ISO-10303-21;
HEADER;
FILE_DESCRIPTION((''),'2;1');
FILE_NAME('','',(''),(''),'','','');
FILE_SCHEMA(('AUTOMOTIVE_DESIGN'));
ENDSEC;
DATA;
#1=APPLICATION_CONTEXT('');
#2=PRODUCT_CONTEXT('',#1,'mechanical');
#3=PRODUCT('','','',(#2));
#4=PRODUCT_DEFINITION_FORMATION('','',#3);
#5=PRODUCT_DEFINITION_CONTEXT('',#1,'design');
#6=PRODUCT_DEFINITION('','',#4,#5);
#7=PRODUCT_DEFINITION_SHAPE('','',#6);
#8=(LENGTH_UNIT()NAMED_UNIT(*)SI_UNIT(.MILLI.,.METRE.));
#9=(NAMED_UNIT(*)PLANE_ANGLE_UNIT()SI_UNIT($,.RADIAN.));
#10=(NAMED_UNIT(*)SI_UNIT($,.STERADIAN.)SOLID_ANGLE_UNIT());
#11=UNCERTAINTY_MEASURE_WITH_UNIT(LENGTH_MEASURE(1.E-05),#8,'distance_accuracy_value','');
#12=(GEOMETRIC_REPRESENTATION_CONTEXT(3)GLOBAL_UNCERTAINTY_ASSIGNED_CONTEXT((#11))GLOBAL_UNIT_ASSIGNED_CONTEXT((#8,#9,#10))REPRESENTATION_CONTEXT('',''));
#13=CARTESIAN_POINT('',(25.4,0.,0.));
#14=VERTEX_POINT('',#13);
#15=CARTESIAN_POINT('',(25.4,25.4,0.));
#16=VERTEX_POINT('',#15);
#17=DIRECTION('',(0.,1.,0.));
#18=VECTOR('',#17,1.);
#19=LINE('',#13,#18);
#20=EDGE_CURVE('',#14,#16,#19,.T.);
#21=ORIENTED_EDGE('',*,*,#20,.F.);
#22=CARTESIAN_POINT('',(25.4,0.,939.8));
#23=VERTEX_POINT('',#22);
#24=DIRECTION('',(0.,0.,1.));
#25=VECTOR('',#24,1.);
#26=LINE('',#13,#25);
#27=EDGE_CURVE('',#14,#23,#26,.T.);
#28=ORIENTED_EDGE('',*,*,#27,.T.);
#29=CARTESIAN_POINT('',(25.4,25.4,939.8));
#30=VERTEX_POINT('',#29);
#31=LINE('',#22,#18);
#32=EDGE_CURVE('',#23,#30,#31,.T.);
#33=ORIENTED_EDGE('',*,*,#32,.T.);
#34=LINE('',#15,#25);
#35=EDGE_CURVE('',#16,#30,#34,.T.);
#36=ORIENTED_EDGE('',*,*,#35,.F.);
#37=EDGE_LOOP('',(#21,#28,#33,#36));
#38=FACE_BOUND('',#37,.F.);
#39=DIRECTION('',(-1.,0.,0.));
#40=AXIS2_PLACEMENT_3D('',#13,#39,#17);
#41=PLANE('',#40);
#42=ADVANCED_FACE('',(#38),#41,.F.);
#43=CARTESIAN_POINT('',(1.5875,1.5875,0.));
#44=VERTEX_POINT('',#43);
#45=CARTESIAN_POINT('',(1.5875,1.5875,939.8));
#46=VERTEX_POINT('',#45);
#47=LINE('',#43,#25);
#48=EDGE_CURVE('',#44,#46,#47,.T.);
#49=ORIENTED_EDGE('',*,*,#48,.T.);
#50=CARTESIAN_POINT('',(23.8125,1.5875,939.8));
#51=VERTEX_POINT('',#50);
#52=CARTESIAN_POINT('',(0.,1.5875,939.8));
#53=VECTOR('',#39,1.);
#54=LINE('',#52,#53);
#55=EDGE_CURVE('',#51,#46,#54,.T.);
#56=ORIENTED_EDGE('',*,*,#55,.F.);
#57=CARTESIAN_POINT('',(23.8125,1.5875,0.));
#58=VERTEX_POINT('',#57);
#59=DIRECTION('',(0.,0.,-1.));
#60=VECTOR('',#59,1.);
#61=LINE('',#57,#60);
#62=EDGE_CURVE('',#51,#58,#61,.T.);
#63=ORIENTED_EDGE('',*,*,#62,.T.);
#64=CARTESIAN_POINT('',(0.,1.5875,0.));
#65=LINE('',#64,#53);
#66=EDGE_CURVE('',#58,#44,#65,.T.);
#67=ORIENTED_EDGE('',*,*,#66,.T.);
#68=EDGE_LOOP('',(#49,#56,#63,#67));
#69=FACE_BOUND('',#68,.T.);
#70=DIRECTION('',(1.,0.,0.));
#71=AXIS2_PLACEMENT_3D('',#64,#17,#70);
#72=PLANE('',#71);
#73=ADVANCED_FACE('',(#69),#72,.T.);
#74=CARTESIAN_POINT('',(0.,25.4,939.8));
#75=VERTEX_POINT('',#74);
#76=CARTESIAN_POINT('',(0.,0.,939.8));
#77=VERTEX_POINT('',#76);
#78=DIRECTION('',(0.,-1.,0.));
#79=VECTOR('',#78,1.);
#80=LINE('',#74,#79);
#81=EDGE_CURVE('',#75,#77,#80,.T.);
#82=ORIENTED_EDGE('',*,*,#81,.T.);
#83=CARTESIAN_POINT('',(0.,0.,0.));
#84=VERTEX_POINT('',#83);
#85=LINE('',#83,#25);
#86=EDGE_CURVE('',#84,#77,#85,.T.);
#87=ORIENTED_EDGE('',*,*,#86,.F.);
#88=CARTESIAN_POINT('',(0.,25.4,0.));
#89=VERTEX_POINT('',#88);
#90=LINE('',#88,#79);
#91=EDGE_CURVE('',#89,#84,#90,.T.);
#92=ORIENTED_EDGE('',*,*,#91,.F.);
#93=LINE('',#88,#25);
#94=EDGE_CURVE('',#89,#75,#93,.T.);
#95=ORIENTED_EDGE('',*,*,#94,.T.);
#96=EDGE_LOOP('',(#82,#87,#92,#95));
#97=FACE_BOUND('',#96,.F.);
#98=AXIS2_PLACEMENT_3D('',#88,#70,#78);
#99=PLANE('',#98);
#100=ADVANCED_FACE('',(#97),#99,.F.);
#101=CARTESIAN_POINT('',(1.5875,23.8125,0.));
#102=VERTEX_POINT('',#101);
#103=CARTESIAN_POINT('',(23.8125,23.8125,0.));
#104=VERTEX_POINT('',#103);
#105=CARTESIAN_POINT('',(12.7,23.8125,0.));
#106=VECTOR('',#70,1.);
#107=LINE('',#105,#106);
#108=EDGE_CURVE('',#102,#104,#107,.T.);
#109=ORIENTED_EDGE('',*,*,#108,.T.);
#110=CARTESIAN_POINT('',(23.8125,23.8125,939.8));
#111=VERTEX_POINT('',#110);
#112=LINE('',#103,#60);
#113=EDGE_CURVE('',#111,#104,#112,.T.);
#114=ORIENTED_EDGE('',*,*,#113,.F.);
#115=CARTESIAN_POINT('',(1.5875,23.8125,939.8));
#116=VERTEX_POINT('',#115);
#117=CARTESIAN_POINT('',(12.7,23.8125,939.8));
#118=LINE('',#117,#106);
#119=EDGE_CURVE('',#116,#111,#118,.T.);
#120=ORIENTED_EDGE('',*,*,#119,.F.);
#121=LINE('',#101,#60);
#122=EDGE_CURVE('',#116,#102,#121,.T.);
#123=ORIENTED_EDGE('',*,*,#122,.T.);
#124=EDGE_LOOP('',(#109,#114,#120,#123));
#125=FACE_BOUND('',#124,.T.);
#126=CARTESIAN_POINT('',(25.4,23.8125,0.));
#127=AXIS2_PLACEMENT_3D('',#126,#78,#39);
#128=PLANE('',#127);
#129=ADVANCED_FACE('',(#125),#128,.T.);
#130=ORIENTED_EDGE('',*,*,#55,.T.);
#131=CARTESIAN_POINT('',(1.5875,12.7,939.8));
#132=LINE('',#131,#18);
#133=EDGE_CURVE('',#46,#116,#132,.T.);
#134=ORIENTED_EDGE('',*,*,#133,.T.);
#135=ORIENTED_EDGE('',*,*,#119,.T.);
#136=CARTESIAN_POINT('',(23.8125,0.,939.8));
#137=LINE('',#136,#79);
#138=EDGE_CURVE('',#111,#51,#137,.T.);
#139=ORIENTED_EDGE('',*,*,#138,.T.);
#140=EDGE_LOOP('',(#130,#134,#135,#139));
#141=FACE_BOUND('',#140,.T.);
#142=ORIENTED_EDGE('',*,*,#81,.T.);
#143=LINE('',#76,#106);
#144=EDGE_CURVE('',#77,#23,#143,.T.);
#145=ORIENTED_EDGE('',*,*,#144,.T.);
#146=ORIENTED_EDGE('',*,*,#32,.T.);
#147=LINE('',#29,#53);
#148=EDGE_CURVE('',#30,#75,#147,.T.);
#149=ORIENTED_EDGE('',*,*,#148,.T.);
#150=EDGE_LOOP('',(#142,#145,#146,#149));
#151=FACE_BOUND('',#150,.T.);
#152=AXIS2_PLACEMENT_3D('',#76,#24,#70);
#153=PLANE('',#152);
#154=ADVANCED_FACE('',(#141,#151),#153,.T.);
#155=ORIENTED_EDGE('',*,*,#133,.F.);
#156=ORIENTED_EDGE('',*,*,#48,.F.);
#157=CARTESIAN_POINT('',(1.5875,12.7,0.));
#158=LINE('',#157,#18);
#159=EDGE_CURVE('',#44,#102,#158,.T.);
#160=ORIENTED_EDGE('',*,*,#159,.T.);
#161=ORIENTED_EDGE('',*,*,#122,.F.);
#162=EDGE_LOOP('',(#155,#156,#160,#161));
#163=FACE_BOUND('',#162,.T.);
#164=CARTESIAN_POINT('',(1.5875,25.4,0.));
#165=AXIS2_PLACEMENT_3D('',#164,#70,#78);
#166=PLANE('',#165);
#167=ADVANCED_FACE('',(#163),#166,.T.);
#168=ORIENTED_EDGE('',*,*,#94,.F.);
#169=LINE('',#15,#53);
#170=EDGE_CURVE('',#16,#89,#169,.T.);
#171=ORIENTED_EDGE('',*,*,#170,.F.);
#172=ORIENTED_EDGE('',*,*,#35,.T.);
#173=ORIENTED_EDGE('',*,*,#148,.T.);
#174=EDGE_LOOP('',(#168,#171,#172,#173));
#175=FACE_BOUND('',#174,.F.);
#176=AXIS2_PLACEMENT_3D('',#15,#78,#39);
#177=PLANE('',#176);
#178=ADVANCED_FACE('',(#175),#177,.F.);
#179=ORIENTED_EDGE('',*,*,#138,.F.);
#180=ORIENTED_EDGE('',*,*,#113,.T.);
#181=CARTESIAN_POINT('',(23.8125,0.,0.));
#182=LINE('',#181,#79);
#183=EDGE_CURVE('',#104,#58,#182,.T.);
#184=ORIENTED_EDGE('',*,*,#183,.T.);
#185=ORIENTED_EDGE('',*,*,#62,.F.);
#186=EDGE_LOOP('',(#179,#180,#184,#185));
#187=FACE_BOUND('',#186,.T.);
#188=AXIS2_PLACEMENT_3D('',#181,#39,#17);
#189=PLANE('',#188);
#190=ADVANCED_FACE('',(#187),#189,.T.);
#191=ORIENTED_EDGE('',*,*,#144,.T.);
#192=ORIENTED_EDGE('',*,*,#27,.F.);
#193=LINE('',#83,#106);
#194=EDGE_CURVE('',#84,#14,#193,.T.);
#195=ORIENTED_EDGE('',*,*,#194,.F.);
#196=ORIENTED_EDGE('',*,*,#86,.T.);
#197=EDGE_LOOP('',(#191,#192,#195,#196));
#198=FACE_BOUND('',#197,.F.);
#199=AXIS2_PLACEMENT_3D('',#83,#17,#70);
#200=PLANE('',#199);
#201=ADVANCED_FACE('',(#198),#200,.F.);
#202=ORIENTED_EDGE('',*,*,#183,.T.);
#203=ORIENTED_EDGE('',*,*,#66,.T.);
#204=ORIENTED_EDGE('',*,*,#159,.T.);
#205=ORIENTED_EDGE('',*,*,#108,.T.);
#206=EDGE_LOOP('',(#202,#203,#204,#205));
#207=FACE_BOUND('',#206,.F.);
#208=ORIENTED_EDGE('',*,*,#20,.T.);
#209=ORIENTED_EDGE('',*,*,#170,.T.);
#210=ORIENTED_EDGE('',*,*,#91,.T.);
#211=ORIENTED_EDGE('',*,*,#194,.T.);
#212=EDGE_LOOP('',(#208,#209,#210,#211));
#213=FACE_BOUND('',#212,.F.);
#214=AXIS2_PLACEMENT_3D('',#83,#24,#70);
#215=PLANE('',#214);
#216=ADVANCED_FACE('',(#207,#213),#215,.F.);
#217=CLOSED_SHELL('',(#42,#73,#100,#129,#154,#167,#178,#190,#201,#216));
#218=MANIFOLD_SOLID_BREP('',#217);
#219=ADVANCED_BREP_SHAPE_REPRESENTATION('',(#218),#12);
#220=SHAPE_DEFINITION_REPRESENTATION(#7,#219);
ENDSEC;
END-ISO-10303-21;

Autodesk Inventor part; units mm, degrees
ref_plane "YZ Plane" through (0, 0, 0) normal (1, 0, 0) x (0, 1, 0)
ref_plane "XZ Plane" through (0, 0, 0) normal (0, 1, 0) x (-1, 0, 0)
ref_plane "XY Plane" through (0, 0, 0) normal (0, 0, 1) x (1, 0, 0)
sketch "Sketch1" plane through (0, 0, 0) normal (0, 0, 1) x (1, 0, 0)
  line L0 (0, 0) -> (25.4, 0)
  line L1 (25.4, 0) -> (25.4, 25.4)
  line L2 (25.4, 25.4) -> (0, 25.4)
  line L3 (0, 25.4) -> (0, 0)
  dimension "d0" = 25.4
  dimension "d1" = 25.4
extrude "Extrusion1" add sketch "Sketch1" along normal blind 939.8
shell "Shell1" thickness 1.5875 removed faces 2 at (8.4667, 16.9333, 0) at (8.4667, 16.9333, 939.8)
properties part number "RearFrameRail" material "Aluminum-6061"
